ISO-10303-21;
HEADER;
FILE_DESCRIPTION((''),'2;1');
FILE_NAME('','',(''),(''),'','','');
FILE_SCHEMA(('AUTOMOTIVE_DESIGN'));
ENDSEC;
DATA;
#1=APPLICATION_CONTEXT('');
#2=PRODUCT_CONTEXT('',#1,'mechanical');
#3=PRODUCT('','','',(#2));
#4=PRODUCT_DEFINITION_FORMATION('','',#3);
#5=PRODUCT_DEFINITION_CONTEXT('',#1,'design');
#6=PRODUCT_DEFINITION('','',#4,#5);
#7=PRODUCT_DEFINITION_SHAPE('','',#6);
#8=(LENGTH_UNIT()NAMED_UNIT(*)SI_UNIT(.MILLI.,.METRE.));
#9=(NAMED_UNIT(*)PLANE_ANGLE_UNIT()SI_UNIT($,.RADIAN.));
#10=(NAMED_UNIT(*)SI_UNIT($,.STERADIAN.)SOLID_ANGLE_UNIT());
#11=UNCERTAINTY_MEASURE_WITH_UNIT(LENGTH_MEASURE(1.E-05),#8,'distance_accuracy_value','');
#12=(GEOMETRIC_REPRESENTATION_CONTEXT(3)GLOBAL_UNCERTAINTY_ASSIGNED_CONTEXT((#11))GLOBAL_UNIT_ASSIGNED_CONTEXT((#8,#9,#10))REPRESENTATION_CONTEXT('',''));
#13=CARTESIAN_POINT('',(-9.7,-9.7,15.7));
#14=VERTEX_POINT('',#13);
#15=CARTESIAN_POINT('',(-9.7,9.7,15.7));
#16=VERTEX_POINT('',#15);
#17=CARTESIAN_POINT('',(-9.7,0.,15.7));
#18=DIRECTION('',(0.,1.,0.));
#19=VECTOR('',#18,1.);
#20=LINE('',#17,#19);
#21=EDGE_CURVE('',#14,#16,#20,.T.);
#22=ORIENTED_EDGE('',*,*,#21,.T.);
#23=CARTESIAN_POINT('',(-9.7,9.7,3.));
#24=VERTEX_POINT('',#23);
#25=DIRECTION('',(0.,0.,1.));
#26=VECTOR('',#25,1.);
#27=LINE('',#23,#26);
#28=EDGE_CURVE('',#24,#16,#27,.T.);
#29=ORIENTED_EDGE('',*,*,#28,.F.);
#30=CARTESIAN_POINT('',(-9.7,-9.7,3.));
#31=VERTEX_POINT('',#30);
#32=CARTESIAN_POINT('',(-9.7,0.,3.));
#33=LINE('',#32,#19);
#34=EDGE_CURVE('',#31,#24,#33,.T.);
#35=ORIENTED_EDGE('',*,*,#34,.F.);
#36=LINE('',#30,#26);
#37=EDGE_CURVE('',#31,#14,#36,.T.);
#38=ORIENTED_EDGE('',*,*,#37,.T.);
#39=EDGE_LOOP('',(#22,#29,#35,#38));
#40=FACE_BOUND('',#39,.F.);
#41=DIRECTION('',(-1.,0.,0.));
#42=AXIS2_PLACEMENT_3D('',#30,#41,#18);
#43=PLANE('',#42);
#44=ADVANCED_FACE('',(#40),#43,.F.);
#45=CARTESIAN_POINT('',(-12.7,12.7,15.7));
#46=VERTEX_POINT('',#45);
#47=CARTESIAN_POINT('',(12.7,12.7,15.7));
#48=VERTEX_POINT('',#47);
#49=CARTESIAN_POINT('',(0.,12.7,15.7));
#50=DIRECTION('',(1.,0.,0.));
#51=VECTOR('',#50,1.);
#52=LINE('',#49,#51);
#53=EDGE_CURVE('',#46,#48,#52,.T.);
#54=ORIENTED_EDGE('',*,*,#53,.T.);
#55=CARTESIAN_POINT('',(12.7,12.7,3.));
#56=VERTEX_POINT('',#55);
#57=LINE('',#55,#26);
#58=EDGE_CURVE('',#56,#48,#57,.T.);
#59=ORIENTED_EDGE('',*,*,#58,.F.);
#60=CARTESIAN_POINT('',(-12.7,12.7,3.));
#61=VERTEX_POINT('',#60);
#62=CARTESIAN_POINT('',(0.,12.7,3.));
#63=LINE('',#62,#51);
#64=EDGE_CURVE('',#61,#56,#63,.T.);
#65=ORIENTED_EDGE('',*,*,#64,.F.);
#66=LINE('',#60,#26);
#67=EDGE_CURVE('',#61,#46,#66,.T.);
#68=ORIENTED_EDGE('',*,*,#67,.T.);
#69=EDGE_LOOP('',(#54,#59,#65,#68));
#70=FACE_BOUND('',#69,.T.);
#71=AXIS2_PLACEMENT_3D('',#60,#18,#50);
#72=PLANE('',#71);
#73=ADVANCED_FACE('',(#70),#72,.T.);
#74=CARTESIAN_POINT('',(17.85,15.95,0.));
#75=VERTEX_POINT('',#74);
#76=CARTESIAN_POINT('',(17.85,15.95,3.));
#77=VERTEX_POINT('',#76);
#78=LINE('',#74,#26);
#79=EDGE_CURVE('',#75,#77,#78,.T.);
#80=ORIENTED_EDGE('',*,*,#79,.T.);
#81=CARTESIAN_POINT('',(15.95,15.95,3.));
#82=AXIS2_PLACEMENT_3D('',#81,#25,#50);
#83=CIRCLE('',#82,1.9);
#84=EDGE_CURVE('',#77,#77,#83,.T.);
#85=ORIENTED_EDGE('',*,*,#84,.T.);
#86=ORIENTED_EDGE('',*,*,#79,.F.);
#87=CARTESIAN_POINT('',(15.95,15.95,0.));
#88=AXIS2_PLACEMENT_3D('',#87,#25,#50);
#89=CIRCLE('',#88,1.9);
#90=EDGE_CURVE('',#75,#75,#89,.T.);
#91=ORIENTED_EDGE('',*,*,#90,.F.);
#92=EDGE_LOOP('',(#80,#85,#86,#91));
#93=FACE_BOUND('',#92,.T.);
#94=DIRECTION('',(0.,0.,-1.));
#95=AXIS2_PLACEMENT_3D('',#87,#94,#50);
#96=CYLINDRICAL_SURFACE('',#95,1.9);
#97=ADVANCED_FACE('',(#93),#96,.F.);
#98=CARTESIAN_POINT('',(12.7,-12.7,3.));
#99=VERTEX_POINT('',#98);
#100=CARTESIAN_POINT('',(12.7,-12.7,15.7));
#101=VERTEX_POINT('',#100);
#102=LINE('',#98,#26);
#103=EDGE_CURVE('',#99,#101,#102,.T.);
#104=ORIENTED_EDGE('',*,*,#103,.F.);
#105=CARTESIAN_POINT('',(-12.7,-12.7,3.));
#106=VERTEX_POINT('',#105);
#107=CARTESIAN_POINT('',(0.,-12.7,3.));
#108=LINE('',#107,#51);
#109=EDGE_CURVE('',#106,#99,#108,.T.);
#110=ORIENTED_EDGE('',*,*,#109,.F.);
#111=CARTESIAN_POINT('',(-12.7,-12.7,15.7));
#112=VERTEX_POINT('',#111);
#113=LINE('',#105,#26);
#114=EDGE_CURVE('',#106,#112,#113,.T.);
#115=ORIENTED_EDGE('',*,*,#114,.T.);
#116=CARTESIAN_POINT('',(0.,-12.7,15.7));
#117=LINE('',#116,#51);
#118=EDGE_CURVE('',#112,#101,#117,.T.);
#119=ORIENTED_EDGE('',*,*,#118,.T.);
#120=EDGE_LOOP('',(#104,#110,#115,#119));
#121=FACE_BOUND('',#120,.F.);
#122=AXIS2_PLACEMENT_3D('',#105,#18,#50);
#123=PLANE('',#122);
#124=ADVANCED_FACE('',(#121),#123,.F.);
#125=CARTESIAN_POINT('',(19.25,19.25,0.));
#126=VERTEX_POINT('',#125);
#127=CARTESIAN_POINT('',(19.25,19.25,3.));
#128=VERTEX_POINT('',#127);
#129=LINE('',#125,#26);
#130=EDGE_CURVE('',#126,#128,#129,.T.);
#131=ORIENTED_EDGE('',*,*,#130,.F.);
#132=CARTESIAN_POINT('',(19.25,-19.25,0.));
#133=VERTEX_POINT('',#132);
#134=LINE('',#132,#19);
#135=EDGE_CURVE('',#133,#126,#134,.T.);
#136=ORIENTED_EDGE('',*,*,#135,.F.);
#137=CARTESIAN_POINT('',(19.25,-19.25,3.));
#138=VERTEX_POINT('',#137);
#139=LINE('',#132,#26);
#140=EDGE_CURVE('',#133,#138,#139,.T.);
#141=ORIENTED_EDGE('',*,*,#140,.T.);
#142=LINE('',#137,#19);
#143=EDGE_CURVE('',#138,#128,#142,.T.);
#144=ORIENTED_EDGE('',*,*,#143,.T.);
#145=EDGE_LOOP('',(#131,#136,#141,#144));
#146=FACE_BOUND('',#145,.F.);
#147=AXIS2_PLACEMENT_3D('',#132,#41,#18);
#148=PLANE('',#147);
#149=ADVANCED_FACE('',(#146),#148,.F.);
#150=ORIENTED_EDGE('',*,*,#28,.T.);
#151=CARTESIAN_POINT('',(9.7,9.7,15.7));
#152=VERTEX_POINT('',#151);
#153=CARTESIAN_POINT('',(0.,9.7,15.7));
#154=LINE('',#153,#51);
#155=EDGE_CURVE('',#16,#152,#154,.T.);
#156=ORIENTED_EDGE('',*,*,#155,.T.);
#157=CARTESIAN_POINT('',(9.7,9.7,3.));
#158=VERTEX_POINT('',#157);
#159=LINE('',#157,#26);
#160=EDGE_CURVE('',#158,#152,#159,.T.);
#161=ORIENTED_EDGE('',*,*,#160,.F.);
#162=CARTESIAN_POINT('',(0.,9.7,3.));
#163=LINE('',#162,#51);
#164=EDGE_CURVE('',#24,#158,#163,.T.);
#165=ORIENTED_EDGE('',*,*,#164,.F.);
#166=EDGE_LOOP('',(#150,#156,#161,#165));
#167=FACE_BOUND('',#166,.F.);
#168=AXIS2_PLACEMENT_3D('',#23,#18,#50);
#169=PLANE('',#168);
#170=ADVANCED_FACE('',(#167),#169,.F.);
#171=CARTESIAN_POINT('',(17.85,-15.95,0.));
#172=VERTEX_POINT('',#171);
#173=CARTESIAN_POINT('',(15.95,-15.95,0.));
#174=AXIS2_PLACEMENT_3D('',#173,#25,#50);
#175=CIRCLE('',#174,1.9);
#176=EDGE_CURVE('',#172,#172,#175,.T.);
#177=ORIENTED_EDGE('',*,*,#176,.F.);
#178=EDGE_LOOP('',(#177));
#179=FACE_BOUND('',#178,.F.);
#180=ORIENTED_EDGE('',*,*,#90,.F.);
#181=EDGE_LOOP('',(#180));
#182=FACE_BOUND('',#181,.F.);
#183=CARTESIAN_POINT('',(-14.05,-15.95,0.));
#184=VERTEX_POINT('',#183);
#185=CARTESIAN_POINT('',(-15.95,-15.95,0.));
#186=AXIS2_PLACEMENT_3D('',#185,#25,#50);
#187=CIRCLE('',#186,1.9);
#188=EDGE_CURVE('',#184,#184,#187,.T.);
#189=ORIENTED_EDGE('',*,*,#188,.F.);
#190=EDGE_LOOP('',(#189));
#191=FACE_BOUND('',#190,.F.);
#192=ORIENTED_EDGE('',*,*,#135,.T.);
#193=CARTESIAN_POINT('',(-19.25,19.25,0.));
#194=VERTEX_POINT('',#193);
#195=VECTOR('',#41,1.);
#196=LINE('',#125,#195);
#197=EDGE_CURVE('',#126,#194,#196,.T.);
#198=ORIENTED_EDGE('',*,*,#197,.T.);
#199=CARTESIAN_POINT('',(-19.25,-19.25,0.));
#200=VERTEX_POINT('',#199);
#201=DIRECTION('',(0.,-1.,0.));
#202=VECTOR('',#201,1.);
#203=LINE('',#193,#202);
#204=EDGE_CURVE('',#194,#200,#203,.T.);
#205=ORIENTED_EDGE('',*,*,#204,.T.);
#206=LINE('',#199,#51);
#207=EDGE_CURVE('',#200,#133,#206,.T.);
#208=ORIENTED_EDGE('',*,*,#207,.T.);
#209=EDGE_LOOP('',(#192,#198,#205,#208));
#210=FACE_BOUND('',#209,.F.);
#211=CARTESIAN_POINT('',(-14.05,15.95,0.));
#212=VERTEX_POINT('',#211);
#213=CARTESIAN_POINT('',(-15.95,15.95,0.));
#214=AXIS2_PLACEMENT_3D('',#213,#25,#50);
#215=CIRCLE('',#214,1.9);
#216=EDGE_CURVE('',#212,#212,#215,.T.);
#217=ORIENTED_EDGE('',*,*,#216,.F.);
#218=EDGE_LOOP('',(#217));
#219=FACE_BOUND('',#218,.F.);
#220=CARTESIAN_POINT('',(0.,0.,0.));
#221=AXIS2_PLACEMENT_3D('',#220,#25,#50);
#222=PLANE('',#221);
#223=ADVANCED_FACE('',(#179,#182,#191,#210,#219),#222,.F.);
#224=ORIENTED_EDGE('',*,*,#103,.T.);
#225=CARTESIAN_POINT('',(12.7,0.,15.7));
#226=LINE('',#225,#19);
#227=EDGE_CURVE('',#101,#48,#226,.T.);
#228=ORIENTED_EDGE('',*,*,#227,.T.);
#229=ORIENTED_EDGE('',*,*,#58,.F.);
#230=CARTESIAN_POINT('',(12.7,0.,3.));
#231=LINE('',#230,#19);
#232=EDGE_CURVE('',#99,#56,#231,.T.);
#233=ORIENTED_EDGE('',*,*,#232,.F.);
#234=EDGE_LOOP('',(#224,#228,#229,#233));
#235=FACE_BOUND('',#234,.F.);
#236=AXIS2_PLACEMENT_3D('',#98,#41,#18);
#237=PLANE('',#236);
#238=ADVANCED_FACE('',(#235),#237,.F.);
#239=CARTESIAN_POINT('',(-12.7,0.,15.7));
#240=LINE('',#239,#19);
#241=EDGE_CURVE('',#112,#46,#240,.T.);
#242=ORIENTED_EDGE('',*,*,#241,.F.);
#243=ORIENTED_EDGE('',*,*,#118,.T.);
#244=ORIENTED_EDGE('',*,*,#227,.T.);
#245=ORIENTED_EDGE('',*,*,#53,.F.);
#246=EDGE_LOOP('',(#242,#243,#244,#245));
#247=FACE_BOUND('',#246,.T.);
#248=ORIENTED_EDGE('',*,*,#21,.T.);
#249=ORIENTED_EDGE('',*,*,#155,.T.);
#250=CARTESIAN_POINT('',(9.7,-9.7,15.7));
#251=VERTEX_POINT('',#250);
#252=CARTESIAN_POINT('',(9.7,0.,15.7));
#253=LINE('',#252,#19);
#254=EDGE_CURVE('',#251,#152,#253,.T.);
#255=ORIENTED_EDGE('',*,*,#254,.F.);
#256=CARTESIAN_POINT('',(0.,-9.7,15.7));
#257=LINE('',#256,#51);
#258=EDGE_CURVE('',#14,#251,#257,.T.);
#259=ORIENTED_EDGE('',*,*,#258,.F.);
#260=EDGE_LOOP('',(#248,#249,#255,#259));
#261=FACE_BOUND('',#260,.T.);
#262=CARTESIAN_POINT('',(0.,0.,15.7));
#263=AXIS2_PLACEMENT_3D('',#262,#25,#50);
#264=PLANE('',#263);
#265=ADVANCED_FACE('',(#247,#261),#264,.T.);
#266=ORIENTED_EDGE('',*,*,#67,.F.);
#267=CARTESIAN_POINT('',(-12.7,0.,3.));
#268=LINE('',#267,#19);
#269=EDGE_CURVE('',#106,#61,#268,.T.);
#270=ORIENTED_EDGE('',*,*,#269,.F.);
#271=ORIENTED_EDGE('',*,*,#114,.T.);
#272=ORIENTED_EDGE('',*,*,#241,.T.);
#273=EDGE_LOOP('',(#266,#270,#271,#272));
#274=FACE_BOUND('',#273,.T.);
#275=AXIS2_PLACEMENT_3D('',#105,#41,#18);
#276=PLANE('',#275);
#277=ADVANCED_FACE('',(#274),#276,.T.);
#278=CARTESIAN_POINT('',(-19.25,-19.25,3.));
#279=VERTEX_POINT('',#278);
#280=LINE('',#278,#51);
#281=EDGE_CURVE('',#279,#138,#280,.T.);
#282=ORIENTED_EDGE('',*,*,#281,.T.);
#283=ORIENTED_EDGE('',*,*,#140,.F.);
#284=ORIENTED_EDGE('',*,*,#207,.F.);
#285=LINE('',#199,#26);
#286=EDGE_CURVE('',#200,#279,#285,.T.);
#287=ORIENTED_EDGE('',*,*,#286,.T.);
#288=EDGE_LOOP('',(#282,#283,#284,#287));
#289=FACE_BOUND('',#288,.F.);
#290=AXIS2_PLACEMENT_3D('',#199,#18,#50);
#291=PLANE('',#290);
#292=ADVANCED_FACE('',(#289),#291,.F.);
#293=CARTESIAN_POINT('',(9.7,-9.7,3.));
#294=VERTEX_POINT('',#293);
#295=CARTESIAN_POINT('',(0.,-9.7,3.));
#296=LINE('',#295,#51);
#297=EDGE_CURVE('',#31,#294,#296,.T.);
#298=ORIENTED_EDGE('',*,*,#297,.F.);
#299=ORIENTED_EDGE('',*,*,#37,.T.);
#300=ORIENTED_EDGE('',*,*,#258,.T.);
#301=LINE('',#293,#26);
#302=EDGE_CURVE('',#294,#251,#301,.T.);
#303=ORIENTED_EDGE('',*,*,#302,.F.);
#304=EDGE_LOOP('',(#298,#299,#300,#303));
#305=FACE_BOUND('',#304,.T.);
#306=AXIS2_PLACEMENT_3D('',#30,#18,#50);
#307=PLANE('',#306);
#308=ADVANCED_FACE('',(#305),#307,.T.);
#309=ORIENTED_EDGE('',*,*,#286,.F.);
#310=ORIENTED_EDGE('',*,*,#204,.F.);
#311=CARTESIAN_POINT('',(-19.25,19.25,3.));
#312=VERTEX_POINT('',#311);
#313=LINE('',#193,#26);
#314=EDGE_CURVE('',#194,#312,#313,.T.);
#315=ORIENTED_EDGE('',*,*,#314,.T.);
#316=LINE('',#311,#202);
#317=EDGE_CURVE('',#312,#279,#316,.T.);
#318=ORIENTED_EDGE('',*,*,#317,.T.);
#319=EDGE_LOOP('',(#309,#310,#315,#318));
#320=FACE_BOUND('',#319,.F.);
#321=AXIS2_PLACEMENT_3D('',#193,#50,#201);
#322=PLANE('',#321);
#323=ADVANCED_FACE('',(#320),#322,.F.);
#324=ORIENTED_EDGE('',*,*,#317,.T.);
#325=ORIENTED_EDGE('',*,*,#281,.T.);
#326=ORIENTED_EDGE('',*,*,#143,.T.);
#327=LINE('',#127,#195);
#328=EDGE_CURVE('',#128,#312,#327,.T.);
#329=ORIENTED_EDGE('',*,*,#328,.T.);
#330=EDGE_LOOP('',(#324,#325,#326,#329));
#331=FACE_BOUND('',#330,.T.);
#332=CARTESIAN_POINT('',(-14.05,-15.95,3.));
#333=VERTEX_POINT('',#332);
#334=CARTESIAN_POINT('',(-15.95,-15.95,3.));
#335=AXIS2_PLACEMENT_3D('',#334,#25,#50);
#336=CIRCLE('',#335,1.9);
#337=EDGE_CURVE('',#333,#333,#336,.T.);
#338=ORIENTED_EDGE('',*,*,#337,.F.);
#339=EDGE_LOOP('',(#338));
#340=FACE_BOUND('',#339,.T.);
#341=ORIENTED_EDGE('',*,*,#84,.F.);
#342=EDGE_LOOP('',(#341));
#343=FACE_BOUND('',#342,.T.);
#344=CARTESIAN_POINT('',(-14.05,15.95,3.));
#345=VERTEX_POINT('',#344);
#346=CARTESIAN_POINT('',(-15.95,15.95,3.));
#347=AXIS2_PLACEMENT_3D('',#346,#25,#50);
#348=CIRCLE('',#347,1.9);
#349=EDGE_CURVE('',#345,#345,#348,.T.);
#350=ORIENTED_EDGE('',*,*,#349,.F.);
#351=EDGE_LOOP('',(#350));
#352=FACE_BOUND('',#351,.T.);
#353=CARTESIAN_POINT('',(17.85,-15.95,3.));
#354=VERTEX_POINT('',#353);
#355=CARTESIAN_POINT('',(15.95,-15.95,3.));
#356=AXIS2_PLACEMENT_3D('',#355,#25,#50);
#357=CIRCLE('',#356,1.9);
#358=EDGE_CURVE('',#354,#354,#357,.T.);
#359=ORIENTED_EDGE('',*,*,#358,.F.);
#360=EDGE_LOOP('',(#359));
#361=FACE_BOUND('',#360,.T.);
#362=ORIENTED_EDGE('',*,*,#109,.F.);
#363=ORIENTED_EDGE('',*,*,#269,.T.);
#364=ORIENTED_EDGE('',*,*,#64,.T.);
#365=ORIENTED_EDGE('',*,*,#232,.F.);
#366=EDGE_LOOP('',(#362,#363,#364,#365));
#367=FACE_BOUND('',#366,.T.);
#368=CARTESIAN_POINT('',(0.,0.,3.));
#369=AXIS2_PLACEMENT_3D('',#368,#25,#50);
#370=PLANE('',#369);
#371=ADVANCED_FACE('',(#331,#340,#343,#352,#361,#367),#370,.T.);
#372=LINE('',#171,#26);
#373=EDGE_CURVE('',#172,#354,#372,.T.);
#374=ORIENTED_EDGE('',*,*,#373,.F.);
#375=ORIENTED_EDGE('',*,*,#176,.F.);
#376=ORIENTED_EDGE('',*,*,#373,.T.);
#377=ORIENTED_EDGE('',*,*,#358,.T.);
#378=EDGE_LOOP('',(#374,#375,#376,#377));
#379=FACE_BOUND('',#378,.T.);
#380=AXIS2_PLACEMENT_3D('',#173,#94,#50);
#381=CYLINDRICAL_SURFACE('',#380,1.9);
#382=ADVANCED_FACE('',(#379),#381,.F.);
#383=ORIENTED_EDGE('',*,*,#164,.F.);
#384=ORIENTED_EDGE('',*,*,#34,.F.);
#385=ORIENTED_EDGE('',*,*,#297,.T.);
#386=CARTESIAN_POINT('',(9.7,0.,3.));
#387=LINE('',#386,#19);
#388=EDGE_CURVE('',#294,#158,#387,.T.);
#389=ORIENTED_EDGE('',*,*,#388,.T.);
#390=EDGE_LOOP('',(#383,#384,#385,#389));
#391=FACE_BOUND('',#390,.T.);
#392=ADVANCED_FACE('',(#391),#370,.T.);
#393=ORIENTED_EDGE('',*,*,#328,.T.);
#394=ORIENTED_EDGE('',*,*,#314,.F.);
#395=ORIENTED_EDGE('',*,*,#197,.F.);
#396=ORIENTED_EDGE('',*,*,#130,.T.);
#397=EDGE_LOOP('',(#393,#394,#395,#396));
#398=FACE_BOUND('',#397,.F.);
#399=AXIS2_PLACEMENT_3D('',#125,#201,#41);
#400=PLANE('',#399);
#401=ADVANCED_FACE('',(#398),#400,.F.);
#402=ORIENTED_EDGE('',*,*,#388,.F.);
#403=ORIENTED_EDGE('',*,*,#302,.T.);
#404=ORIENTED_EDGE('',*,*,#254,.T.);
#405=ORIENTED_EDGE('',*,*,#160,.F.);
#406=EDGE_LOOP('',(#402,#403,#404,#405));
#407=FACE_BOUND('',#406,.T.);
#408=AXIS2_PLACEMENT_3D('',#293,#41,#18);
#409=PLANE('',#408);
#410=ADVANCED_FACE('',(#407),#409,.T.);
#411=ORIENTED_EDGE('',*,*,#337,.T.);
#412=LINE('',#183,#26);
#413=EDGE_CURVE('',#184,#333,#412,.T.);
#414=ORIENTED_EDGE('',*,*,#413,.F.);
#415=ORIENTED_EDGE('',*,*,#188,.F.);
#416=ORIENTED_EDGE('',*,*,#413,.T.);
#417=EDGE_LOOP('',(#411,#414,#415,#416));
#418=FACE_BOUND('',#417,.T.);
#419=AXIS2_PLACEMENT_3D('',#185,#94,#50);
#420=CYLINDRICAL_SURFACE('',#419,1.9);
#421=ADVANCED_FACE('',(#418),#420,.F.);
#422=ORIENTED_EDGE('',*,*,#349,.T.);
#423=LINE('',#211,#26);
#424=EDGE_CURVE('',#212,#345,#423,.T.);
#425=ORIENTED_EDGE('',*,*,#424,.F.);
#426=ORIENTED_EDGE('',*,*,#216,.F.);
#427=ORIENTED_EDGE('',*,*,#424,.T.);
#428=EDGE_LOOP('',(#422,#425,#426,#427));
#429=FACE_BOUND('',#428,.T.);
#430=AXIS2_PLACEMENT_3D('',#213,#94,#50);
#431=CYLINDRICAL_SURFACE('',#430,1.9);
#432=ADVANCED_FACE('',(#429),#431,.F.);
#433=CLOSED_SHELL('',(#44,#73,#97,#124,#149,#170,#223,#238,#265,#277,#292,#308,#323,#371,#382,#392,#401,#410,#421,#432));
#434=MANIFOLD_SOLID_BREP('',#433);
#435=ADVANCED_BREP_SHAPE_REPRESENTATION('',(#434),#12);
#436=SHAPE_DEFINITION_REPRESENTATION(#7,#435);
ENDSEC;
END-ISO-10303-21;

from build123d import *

# Parameters (mm, degrees)
F0_R     = 1.9
F1_DEPTH = 3
F2_W     = 25.4
F2_H     = 25.4
F2_W_2   = 19.4
F2_H_2   = 19.4
F3_DEPTH = 12.7


with BuildPart() as f1:
    # F0 (on Top) → F1 (new body)
    with BuildSketch(Plane.XY):
        Polygon((-19.25, 19.25), (-19.25, 0), (-19.25, -19.25), (19.25, -19.25), (19.25, 19.25), align=None)
        with Locations((-15.95, -15.95)):
            Circle(F0_R, mode=Mode.SUBTRACT)
        with Locations((15.95, -15.95)):
            Circle(F0_R, mode=Mode.SUBTRACT)
        with Locations((-15.95, 15.95)):
            Circle(F0_R, mode=Mode.SUBTRACT)
        with Locations((15.95, 15.95)):
            Circle(F0_R, mode=Mode.SUBTRACT)
    extrude(amount=F1_DEPTH)

    # F2 (on face) → F3 (join)
    with BuildSketch(Plane.XY.offset(3)):
        Rectangle(F2_W, F2_H)
        Rectangle(F2_W_2, F2_H_2, mode=Mode.SUBTRACT)
    extrude(amount=F3_DEPTH)


solid = f1.part
